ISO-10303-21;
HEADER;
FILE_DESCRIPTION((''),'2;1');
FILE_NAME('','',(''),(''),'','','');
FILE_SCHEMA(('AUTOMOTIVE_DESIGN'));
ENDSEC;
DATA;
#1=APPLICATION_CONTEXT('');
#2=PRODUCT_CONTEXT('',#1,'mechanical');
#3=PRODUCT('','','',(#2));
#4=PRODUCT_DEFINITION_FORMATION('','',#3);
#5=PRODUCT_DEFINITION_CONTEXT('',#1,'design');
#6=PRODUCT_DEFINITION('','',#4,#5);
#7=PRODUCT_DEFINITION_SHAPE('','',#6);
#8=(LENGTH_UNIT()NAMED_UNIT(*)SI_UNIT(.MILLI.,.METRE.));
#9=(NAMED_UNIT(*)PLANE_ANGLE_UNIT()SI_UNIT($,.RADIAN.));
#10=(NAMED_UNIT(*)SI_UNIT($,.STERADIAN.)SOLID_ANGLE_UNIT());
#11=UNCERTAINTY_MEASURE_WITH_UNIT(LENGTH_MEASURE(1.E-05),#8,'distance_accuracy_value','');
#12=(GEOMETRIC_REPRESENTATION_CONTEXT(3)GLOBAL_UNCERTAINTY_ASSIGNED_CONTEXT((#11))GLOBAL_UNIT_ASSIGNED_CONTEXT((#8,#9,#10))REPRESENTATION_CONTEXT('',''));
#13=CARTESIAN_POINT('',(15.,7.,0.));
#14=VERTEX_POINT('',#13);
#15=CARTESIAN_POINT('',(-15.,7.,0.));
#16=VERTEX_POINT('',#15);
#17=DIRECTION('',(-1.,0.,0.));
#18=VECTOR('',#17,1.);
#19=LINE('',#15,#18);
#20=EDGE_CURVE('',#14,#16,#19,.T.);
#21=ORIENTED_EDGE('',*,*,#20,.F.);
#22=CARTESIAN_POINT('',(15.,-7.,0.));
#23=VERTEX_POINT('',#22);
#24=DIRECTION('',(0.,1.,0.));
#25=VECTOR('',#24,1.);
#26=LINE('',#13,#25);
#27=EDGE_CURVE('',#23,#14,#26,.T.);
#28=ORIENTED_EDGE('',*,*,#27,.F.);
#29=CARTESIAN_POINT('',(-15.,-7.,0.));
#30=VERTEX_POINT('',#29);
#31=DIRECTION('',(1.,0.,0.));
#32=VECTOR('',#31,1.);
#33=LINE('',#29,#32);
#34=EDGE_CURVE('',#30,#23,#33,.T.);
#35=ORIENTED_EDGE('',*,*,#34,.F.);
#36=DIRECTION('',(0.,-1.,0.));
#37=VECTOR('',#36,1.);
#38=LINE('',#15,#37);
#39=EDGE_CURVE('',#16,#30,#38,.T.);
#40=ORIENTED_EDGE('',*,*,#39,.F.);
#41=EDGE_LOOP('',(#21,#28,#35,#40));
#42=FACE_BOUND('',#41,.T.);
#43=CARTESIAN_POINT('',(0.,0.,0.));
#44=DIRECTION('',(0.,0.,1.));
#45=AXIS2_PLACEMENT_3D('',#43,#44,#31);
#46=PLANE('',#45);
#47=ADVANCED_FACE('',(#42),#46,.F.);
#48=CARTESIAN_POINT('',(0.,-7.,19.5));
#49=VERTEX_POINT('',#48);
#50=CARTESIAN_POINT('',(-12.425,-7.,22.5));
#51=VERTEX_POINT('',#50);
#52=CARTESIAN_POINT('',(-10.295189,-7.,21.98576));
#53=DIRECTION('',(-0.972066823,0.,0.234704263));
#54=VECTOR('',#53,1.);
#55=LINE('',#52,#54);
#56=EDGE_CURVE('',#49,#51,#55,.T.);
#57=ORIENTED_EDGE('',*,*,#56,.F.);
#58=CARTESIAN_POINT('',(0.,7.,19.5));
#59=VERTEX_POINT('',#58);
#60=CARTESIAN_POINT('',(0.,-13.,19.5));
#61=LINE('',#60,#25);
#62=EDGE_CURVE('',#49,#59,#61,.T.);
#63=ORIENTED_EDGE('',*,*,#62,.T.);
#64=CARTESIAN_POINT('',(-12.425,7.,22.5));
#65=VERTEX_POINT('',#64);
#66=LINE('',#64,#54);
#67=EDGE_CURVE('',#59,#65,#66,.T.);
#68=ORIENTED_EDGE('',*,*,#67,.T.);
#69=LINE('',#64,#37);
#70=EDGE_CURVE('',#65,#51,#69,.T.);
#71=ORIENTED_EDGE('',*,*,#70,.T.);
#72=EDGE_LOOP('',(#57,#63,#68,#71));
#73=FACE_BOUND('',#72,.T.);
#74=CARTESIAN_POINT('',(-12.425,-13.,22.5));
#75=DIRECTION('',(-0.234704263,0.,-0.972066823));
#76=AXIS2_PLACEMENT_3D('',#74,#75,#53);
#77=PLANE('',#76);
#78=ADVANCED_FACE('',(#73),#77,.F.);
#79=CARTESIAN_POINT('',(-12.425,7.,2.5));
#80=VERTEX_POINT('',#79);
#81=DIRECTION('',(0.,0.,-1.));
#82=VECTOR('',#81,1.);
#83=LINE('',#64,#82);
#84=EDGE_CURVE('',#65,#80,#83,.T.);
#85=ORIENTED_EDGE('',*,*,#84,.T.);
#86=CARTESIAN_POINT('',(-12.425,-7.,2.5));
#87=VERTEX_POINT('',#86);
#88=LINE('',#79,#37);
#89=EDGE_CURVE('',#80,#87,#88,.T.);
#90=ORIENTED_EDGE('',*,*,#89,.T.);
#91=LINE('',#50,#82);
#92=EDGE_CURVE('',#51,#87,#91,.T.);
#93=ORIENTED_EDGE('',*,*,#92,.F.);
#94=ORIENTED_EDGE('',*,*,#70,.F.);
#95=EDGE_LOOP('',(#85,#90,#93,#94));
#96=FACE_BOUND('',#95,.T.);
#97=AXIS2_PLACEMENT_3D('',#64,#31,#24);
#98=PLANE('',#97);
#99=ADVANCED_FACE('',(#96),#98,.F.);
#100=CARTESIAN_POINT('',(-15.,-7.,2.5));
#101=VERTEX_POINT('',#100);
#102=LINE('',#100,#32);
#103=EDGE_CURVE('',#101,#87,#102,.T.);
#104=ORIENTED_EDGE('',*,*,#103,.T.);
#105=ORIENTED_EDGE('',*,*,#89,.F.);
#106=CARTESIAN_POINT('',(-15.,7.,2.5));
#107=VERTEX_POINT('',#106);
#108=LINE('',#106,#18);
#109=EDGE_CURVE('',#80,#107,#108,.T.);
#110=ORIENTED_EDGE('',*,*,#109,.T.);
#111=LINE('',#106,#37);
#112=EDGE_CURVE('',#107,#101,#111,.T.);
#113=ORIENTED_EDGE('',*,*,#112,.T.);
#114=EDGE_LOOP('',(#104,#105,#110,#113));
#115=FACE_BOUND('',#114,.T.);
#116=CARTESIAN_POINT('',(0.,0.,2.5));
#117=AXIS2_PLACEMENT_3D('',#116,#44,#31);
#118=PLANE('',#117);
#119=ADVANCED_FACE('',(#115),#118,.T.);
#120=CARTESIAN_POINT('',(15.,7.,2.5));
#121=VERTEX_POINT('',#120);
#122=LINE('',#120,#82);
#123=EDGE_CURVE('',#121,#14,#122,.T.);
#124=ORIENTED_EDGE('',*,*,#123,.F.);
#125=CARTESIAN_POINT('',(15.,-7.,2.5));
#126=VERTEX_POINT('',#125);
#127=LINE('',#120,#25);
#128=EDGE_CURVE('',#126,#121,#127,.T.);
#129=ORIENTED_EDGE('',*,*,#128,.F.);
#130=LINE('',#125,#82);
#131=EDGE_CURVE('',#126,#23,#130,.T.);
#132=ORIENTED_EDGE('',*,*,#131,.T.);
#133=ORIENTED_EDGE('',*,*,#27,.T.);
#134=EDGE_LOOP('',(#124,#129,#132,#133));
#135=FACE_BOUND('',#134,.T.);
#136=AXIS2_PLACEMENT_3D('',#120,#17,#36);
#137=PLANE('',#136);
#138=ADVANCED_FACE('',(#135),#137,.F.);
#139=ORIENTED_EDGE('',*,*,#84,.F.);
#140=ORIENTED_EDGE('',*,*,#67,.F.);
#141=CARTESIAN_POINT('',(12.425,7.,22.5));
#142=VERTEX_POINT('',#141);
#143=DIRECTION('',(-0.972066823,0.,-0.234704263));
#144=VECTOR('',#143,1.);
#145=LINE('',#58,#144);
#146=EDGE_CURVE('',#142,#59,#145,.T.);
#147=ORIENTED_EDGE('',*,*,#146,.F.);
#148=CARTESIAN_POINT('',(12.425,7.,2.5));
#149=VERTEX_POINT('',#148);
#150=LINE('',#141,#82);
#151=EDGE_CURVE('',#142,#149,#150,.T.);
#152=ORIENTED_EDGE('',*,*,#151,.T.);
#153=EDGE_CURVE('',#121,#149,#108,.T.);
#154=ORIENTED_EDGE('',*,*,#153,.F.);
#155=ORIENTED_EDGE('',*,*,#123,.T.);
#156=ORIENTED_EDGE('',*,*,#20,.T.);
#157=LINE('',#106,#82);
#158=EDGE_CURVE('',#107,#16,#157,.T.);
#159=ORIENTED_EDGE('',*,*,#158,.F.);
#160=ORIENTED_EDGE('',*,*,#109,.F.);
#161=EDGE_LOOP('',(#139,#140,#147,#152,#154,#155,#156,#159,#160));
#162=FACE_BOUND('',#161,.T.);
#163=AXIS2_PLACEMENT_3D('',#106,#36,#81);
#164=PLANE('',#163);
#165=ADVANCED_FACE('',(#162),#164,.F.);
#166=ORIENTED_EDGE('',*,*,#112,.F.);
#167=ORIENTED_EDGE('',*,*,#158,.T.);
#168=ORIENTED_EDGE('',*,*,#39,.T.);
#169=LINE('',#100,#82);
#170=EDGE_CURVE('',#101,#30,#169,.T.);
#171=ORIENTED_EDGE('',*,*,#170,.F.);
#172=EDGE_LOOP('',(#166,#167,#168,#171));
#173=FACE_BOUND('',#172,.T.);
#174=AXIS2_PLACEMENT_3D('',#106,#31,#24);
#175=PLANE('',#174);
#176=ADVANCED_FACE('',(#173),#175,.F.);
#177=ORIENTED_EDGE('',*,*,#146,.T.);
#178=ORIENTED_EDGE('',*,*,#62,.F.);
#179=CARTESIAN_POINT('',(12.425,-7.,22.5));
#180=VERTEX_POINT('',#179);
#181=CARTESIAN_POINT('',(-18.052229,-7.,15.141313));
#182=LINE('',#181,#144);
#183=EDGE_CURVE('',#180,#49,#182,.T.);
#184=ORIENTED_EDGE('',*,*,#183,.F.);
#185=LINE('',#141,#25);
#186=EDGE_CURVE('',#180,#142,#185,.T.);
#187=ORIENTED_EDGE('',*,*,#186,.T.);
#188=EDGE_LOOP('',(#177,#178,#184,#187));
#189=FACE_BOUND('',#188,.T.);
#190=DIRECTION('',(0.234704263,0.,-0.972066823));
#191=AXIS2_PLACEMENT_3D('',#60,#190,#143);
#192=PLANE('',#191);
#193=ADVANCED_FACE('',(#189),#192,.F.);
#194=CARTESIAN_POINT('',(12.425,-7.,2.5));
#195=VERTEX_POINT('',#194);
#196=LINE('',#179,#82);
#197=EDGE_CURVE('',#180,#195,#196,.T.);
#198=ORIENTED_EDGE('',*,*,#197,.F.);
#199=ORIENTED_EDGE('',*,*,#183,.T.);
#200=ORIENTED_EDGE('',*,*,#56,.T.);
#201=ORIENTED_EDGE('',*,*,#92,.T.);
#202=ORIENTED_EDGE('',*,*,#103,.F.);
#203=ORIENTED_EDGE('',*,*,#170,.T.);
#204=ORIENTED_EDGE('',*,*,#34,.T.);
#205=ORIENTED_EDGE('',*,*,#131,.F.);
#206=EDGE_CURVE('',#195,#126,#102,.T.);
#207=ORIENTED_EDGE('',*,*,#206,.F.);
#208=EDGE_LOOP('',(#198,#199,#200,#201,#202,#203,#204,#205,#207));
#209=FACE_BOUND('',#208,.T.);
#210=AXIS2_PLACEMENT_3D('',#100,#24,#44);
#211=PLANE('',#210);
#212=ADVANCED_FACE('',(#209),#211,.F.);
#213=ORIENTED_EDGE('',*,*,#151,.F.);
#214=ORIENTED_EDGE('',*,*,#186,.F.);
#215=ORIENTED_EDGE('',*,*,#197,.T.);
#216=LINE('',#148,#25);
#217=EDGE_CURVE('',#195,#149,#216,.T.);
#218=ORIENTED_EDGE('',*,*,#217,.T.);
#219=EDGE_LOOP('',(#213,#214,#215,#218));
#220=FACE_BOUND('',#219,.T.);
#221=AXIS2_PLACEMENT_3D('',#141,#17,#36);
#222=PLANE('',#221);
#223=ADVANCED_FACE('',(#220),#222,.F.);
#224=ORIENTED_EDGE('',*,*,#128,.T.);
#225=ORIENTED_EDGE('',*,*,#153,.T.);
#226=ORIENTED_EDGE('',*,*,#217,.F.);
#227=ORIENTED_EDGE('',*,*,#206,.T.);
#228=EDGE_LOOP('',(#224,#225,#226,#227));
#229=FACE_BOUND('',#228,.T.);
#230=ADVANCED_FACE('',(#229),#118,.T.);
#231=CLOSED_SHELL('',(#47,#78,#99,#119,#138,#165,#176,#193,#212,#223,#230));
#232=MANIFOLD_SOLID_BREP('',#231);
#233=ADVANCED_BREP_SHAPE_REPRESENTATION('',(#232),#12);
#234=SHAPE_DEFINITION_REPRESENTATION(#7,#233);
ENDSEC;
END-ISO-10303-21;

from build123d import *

# Parameters (mm, degrees)
CROQUIS1_W              = 30
CROQUIS1_H              = 14
SALIENTE_EXTRUIR1_DEPTH = 2.5
CROQUIS2_W              = 24.85
CROQUIS2_H              = 14
SALIENTE_EXTRUIR2_DEPTH = 20
CORTAR_EXTRUIR1_DEPTH   = 20


with BuildPart() as part:
    # Croquis1 → Saliente-Extruir1 (new body)
    with BuildSketch(Plane.XY):
        Rectangle(CROQUIS1_W, CROQUIS1_H)
    extrude(amount=SALIENTE_EXTRUIR1_DEPTH)

    # Croquis2 → Saliente-Extruir2 (add)
    with BuildSketch(Plane.XY.offset(2.5)):
        Rectangle(CROQUIS2_W, CROQUIS2_H)
    extrude(amount=SALIENTE_EXTRUIR2_DEPTH)

    # Croquis4 → Cortar-Extruir1 (cut)
    with BuildSketch(Plane(origin=(0, 7, 0), x_dir=(1, 0, 0), z_dir=(0, 1, 0))):
        Polygon((-12.425, -22.5), (0, -19.5), (12.425, -22.5), align=None)
    extrude(amount=-CORTAR_EXTRUIR1_DEPTH, mode=Mode.SUBTRACT)


solid = part.part
